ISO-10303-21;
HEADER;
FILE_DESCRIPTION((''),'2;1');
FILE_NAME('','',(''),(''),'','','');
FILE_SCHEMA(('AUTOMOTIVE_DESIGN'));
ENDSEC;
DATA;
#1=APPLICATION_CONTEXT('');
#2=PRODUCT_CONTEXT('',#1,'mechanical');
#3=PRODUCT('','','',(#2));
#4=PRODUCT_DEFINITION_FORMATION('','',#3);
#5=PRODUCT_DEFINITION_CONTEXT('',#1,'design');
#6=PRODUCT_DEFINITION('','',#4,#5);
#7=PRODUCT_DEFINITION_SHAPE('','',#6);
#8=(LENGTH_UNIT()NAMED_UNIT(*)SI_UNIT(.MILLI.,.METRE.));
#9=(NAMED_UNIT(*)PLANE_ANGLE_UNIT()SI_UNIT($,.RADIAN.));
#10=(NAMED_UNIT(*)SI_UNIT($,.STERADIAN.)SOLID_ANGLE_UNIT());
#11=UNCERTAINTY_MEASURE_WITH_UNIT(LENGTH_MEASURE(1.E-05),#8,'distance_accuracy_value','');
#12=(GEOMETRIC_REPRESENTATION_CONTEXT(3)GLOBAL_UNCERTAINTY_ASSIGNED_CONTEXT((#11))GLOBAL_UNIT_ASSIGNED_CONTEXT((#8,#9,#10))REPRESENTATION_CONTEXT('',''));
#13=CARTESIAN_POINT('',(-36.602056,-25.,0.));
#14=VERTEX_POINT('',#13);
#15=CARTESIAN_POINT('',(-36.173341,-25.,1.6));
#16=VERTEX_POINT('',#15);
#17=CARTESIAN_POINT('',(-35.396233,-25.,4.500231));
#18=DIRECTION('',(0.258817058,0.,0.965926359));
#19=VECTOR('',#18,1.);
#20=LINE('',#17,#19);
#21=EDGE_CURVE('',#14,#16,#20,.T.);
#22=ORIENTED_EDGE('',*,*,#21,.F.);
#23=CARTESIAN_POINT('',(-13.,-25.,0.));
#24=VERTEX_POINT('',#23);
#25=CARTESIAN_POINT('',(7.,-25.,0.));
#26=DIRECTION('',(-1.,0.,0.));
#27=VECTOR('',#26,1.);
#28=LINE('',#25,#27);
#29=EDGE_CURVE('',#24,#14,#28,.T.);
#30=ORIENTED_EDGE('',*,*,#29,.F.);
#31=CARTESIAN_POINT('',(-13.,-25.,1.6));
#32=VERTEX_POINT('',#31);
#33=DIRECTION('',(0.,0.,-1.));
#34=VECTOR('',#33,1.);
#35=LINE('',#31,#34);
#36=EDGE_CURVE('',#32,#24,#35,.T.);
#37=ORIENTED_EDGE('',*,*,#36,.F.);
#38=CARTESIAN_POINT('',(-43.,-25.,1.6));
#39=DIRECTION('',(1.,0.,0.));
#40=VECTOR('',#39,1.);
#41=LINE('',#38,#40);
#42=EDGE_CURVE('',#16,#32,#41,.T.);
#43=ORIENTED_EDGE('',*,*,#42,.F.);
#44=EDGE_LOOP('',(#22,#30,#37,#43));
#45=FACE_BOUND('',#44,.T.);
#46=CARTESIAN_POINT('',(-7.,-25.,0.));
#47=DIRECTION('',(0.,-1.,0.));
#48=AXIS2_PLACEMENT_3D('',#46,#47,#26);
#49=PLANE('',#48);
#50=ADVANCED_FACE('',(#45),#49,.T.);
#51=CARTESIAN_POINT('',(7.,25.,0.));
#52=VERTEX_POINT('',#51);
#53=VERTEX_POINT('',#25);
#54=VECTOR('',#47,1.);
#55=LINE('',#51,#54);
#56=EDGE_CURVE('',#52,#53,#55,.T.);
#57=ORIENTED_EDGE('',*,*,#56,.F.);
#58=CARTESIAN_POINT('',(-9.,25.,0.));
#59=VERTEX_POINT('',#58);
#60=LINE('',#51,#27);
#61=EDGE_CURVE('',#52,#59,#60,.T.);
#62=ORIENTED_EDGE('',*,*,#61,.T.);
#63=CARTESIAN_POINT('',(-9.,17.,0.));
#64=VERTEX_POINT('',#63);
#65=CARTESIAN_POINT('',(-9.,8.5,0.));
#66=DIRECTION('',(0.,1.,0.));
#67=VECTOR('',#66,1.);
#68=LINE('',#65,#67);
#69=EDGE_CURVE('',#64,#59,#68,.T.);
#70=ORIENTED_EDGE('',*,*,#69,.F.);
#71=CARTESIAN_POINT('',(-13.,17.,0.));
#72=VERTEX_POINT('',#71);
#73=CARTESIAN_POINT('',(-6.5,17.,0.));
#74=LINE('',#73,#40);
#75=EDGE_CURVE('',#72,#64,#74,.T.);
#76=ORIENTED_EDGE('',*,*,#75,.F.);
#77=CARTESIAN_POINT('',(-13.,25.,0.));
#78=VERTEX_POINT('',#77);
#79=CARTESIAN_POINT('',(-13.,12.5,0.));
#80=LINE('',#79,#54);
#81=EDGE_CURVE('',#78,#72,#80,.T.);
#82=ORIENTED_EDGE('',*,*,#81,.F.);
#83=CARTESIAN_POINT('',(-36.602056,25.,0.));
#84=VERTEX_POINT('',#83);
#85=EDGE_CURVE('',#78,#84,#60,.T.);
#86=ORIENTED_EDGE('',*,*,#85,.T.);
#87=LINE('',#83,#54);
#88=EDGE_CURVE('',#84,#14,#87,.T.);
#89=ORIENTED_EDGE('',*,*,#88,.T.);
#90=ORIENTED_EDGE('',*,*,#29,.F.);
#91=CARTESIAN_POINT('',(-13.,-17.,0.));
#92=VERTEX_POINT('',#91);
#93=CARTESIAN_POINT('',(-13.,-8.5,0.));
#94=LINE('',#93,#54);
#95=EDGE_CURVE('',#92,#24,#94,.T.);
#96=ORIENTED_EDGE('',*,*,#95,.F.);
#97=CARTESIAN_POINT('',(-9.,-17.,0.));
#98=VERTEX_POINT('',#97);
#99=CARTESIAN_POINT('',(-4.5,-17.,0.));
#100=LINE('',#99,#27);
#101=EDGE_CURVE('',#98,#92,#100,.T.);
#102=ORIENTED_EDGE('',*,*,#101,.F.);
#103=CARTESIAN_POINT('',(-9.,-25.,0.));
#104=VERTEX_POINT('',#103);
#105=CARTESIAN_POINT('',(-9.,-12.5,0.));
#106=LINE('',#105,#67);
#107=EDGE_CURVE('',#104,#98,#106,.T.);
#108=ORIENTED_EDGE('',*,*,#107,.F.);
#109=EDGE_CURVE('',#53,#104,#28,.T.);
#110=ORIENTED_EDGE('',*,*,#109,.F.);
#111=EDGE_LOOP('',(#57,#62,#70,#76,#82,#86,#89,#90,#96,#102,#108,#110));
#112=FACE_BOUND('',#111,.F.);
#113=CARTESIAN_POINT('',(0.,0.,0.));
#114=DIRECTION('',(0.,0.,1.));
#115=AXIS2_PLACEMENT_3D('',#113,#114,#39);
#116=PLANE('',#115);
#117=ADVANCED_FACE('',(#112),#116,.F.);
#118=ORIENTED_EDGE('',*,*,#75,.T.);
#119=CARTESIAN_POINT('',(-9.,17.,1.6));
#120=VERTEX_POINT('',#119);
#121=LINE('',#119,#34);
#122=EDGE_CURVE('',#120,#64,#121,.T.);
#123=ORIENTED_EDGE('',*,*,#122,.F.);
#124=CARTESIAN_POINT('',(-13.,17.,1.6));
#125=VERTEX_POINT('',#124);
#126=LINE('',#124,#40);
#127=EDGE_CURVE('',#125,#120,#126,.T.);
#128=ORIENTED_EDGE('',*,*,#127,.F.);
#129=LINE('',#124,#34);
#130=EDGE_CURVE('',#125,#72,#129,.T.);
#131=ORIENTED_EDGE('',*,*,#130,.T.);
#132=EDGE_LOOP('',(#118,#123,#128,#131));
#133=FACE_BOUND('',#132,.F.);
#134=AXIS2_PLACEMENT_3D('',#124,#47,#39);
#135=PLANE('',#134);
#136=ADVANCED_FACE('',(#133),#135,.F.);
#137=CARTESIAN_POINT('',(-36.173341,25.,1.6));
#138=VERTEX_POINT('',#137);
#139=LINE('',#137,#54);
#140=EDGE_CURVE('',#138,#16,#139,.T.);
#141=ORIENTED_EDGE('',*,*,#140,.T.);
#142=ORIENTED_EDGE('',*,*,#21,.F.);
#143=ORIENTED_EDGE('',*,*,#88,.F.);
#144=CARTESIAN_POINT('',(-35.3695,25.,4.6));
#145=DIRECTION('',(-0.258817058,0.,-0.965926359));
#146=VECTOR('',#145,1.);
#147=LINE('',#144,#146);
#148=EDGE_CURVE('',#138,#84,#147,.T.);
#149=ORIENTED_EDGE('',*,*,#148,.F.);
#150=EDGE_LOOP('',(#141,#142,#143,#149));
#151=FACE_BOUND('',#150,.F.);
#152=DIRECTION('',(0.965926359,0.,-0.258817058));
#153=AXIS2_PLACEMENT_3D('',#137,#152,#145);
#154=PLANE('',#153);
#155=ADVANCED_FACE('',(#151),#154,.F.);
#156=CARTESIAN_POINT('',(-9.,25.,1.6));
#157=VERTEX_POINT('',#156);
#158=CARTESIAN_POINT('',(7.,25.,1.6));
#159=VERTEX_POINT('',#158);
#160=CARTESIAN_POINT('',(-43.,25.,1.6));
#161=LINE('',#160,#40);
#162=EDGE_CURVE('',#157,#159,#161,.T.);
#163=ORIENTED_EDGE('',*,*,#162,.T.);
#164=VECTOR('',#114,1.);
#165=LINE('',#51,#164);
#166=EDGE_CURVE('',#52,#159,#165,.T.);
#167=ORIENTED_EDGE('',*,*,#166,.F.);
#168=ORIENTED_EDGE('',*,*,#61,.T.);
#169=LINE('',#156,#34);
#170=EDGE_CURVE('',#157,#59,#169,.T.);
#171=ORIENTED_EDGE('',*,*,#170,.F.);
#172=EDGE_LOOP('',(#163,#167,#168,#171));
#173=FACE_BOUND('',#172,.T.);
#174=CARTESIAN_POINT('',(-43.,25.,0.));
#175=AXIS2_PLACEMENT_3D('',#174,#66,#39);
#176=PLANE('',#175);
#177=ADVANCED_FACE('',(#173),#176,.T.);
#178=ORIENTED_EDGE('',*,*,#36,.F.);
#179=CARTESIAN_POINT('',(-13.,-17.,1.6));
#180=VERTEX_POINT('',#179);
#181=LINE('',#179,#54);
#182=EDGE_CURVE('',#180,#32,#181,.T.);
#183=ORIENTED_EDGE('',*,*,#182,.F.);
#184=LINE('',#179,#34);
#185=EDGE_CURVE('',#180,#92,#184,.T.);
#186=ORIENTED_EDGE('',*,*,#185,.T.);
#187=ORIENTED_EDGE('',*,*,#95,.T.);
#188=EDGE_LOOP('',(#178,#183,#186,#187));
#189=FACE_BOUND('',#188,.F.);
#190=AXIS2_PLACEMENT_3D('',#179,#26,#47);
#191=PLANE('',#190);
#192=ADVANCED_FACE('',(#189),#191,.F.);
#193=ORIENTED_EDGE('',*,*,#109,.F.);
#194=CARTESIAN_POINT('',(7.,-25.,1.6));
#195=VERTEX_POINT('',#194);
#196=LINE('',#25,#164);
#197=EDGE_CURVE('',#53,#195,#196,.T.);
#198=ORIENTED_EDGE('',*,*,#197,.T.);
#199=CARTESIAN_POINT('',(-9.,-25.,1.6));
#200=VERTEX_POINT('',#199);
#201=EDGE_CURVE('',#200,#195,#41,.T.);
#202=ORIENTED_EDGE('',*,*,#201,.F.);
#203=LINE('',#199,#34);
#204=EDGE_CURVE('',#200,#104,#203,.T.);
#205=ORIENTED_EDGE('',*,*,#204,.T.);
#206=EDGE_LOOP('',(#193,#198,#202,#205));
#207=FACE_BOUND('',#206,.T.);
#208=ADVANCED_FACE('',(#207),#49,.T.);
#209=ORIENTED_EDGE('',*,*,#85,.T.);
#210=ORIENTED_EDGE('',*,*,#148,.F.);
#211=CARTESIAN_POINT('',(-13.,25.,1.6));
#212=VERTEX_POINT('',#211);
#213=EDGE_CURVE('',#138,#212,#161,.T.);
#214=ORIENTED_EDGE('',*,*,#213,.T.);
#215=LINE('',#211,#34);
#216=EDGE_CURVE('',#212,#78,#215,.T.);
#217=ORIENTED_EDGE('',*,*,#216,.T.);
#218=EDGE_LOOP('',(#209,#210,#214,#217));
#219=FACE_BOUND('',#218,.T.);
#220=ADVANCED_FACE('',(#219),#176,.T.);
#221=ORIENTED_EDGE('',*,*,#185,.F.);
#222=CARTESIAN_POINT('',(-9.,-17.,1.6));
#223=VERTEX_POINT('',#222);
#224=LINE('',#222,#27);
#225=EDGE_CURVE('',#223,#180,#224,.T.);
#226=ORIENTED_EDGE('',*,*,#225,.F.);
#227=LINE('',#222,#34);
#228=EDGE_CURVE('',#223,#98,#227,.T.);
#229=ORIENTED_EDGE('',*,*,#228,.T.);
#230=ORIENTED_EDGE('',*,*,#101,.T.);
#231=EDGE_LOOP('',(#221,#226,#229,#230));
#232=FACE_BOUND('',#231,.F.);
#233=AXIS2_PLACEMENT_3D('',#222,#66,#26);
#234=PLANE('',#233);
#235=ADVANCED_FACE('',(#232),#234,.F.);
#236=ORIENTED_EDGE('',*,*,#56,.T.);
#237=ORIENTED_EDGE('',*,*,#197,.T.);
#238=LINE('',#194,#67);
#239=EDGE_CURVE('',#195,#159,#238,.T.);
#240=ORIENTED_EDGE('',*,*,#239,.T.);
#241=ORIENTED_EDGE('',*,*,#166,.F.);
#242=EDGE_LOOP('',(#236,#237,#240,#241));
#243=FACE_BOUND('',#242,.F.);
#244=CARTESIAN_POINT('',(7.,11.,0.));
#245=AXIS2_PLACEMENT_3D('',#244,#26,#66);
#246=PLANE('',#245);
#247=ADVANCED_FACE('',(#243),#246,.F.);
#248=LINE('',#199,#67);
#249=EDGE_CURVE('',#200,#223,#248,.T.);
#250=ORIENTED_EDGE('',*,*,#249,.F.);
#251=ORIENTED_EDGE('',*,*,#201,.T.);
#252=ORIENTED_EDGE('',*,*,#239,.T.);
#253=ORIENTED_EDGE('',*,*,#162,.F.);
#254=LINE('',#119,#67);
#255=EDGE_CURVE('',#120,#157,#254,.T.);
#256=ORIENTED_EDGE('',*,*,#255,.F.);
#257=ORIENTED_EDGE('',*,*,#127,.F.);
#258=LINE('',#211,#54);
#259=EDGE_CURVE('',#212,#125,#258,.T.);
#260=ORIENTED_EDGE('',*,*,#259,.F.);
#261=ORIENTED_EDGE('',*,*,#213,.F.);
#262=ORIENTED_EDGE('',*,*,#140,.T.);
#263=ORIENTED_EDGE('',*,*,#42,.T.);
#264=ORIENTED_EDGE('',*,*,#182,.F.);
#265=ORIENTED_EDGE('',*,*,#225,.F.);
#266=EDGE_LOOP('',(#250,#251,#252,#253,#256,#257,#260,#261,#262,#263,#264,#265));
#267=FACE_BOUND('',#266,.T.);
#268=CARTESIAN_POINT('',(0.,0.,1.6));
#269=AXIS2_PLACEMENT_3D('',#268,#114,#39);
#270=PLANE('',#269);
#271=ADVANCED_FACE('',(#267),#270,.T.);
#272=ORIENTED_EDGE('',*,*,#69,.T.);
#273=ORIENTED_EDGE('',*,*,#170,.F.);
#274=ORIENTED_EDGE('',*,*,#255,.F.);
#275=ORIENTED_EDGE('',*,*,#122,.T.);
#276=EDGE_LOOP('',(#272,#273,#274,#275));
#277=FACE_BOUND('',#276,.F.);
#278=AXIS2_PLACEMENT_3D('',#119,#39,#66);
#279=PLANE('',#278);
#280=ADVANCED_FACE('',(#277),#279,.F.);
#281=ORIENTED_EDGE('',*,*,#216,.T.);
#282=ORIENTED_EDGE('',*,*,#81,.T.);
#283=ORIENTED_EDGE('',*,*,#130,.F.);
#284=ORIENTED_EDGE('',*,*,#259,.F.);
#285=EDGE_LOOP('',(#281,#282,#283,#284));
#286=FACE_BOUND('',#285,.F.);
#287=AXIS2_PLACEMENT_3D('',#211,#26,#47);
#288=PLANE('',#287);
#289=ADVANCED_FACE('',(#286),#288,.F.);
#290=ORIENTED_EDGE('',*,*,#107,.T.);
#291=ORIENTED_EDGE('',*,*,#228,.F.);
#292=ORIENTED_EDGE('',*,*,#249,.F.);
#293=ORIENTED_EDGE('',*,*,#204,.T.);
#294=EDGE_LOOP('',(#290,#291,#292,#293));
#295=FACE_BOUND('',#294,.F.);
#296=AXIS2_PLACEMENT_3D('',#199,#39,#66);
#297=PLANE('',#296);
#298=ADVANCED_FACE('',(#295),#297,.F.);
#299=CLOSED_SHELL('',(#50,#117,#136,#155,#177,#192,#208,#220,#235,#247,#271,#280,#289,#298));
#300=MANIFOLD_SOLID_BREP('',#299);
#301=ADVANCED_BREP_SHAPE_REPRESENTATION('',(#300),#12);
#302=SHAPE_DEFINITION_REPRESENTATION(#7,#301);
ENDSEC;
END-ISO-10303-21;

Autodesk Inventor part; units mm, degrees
ref_plane "YZ Plane" through (0, 0, 0) normal (1, 0, 0) x (0, 1, 0)
ref_plane "XZ Plane" through (0, 0, 0) normal (0, 1, 0) x (-1, 0, 0)
ref_plane "XY Plane" through (0, 0, 0) normal (0, 0, 1) x (1, 0, 0)
sketch "Szkic1" plane through (0, 0, 0) normal (0, 0, 1) x (1, 0, 0)
  line L0 (-43, 25) -> (-7, 25) projected
  line L1 (-7, 25) -> (-7, 11) projected
  line L2 (-7, 11) -> (7, 11) projected
  line L3 (7, 11) -> (7, -11) projected
  line L4 (7, -11) -> (-7, -11) projected
  line L5 (-7, -11) -> (-7, -25) projected
  line L6 (-7, -25) -> (-43, -25) projected
  line L7 (-7, -11) -> (7, -11)
  line L8 (7, -11) -> (7, -25)
  line L9 (7, -25) -> (-7, -25)
  line L10 (-7, -25) -> (-7, -11)
  line L11 (-7, 11) -> (7, 11)
  line L12 (7, 11) -> (7, 25)
  line L13 (7, 25) -> (-7, 25)
  line L14 (-7, 25) -> (-7, 11)
  line L15 (-43, -25) -> (-43, 25) projected
  point P0 (0, 0)
  point P1 (7, 11)
  point P2 (7, 11)
extrude "Wyciągnięcie proste1" add sketch "Szkic1" along normal blind 1.6
ref_plane "Płaszczyzna konstrukcyjna1" through (-17.9997, 25, -4.7) normal (0, 1, 0) x (0, 0, 1)
sketch "Szkic3" plane through (0, 0, 1.6) normal (0, 0, 1) x (1, 0, 0)
  line L0 (-43, -25) -> (7, -25) projected
  line L1 (7, -25) -> (7, 25) projected
  line L2 (7, 25) -> (-43, 25) projected
  line L3 (-13, -25) -> (-9, -25)
  line L4 (-9, -25) -> (-9, -17)
  line L5 (-9, -17) -> (-13, -17)
  line L6 (-13, -17) -> (-13, -25)
  line L7 (7, 25) -> (-40.2936, 25) projected
  line L8 (-9, 25) -> (-13, 25)
  line L9 (-13, 25) -> (-13, 17)
  line L10 (-13, 17) -> (-9, 17)
  line L11 (-9, 17) -> (-9, 25)
  line L12 (-43, 25) -> (-43, -25) projected
  point P0 (0, 0)
  point P1 (-35.2314, 25)
  point P2 (-35.7424, 25)
  point P3 (-11, 25)
  dimension "d4" = 16
  dimension "d5" = 16
  dimension "d6" = 8
  dimension "d7" = 8
  dimension "d8" = 4
  dimension "d9" = 4
extrude "Wyciągnięcie proste3" cut sketch "Szkic3" against normal through all contours L6 L5 L4 L0 | L2 L11 L10 L9
sketch "Szkic4" plane through (-40.2936, 25, 1.6) normal (0, 1, 0) x (1, 0, 0)
  line L0 (4.9241, -3) -> (-0.6358, 17.75) projected
  line L1 (-0.6358, 17.75) -> (-2.7064, 17.75) projected
  line L2 (-2.7064, 17.75) -> (2.8536, -3) projected
  line L3 (2.8536, -3) -> (4.9241, -3) projected
  line L4 (27.2936, 0) -> (27.2936, 1.6) projected
  line L5 (47.2936, 1.6) -> (31.2936, 1.6) projected
  line L6 (27.2936, 0) -> (-2.7064, 0) projected
  line L7 (27.2936, 1.6) -> (-2.7064, 1.6) projected
  line L8 (-2.7064, 1.6) -> (-2.7064, 0) projected
  line L9 (31.2936, 1.6) -> (31.2936, 0) projected
  line L10 (47.2936, 0) -> (31.2936, 0) projected
  line L11 (47.2936, 1.6) -> (47.2936, 0) projected
  point P0 (40.2936, 1.6)
  point P1 (3.6916, 1.6)
  point P2 (4.1203, 0)
extrude "Wyciągnięcie proste4" cut sketch "Szkic4" against normal through all contours L6 L2 L7 L0 | L6 L8 L7 L2
properties part number "pcb"
